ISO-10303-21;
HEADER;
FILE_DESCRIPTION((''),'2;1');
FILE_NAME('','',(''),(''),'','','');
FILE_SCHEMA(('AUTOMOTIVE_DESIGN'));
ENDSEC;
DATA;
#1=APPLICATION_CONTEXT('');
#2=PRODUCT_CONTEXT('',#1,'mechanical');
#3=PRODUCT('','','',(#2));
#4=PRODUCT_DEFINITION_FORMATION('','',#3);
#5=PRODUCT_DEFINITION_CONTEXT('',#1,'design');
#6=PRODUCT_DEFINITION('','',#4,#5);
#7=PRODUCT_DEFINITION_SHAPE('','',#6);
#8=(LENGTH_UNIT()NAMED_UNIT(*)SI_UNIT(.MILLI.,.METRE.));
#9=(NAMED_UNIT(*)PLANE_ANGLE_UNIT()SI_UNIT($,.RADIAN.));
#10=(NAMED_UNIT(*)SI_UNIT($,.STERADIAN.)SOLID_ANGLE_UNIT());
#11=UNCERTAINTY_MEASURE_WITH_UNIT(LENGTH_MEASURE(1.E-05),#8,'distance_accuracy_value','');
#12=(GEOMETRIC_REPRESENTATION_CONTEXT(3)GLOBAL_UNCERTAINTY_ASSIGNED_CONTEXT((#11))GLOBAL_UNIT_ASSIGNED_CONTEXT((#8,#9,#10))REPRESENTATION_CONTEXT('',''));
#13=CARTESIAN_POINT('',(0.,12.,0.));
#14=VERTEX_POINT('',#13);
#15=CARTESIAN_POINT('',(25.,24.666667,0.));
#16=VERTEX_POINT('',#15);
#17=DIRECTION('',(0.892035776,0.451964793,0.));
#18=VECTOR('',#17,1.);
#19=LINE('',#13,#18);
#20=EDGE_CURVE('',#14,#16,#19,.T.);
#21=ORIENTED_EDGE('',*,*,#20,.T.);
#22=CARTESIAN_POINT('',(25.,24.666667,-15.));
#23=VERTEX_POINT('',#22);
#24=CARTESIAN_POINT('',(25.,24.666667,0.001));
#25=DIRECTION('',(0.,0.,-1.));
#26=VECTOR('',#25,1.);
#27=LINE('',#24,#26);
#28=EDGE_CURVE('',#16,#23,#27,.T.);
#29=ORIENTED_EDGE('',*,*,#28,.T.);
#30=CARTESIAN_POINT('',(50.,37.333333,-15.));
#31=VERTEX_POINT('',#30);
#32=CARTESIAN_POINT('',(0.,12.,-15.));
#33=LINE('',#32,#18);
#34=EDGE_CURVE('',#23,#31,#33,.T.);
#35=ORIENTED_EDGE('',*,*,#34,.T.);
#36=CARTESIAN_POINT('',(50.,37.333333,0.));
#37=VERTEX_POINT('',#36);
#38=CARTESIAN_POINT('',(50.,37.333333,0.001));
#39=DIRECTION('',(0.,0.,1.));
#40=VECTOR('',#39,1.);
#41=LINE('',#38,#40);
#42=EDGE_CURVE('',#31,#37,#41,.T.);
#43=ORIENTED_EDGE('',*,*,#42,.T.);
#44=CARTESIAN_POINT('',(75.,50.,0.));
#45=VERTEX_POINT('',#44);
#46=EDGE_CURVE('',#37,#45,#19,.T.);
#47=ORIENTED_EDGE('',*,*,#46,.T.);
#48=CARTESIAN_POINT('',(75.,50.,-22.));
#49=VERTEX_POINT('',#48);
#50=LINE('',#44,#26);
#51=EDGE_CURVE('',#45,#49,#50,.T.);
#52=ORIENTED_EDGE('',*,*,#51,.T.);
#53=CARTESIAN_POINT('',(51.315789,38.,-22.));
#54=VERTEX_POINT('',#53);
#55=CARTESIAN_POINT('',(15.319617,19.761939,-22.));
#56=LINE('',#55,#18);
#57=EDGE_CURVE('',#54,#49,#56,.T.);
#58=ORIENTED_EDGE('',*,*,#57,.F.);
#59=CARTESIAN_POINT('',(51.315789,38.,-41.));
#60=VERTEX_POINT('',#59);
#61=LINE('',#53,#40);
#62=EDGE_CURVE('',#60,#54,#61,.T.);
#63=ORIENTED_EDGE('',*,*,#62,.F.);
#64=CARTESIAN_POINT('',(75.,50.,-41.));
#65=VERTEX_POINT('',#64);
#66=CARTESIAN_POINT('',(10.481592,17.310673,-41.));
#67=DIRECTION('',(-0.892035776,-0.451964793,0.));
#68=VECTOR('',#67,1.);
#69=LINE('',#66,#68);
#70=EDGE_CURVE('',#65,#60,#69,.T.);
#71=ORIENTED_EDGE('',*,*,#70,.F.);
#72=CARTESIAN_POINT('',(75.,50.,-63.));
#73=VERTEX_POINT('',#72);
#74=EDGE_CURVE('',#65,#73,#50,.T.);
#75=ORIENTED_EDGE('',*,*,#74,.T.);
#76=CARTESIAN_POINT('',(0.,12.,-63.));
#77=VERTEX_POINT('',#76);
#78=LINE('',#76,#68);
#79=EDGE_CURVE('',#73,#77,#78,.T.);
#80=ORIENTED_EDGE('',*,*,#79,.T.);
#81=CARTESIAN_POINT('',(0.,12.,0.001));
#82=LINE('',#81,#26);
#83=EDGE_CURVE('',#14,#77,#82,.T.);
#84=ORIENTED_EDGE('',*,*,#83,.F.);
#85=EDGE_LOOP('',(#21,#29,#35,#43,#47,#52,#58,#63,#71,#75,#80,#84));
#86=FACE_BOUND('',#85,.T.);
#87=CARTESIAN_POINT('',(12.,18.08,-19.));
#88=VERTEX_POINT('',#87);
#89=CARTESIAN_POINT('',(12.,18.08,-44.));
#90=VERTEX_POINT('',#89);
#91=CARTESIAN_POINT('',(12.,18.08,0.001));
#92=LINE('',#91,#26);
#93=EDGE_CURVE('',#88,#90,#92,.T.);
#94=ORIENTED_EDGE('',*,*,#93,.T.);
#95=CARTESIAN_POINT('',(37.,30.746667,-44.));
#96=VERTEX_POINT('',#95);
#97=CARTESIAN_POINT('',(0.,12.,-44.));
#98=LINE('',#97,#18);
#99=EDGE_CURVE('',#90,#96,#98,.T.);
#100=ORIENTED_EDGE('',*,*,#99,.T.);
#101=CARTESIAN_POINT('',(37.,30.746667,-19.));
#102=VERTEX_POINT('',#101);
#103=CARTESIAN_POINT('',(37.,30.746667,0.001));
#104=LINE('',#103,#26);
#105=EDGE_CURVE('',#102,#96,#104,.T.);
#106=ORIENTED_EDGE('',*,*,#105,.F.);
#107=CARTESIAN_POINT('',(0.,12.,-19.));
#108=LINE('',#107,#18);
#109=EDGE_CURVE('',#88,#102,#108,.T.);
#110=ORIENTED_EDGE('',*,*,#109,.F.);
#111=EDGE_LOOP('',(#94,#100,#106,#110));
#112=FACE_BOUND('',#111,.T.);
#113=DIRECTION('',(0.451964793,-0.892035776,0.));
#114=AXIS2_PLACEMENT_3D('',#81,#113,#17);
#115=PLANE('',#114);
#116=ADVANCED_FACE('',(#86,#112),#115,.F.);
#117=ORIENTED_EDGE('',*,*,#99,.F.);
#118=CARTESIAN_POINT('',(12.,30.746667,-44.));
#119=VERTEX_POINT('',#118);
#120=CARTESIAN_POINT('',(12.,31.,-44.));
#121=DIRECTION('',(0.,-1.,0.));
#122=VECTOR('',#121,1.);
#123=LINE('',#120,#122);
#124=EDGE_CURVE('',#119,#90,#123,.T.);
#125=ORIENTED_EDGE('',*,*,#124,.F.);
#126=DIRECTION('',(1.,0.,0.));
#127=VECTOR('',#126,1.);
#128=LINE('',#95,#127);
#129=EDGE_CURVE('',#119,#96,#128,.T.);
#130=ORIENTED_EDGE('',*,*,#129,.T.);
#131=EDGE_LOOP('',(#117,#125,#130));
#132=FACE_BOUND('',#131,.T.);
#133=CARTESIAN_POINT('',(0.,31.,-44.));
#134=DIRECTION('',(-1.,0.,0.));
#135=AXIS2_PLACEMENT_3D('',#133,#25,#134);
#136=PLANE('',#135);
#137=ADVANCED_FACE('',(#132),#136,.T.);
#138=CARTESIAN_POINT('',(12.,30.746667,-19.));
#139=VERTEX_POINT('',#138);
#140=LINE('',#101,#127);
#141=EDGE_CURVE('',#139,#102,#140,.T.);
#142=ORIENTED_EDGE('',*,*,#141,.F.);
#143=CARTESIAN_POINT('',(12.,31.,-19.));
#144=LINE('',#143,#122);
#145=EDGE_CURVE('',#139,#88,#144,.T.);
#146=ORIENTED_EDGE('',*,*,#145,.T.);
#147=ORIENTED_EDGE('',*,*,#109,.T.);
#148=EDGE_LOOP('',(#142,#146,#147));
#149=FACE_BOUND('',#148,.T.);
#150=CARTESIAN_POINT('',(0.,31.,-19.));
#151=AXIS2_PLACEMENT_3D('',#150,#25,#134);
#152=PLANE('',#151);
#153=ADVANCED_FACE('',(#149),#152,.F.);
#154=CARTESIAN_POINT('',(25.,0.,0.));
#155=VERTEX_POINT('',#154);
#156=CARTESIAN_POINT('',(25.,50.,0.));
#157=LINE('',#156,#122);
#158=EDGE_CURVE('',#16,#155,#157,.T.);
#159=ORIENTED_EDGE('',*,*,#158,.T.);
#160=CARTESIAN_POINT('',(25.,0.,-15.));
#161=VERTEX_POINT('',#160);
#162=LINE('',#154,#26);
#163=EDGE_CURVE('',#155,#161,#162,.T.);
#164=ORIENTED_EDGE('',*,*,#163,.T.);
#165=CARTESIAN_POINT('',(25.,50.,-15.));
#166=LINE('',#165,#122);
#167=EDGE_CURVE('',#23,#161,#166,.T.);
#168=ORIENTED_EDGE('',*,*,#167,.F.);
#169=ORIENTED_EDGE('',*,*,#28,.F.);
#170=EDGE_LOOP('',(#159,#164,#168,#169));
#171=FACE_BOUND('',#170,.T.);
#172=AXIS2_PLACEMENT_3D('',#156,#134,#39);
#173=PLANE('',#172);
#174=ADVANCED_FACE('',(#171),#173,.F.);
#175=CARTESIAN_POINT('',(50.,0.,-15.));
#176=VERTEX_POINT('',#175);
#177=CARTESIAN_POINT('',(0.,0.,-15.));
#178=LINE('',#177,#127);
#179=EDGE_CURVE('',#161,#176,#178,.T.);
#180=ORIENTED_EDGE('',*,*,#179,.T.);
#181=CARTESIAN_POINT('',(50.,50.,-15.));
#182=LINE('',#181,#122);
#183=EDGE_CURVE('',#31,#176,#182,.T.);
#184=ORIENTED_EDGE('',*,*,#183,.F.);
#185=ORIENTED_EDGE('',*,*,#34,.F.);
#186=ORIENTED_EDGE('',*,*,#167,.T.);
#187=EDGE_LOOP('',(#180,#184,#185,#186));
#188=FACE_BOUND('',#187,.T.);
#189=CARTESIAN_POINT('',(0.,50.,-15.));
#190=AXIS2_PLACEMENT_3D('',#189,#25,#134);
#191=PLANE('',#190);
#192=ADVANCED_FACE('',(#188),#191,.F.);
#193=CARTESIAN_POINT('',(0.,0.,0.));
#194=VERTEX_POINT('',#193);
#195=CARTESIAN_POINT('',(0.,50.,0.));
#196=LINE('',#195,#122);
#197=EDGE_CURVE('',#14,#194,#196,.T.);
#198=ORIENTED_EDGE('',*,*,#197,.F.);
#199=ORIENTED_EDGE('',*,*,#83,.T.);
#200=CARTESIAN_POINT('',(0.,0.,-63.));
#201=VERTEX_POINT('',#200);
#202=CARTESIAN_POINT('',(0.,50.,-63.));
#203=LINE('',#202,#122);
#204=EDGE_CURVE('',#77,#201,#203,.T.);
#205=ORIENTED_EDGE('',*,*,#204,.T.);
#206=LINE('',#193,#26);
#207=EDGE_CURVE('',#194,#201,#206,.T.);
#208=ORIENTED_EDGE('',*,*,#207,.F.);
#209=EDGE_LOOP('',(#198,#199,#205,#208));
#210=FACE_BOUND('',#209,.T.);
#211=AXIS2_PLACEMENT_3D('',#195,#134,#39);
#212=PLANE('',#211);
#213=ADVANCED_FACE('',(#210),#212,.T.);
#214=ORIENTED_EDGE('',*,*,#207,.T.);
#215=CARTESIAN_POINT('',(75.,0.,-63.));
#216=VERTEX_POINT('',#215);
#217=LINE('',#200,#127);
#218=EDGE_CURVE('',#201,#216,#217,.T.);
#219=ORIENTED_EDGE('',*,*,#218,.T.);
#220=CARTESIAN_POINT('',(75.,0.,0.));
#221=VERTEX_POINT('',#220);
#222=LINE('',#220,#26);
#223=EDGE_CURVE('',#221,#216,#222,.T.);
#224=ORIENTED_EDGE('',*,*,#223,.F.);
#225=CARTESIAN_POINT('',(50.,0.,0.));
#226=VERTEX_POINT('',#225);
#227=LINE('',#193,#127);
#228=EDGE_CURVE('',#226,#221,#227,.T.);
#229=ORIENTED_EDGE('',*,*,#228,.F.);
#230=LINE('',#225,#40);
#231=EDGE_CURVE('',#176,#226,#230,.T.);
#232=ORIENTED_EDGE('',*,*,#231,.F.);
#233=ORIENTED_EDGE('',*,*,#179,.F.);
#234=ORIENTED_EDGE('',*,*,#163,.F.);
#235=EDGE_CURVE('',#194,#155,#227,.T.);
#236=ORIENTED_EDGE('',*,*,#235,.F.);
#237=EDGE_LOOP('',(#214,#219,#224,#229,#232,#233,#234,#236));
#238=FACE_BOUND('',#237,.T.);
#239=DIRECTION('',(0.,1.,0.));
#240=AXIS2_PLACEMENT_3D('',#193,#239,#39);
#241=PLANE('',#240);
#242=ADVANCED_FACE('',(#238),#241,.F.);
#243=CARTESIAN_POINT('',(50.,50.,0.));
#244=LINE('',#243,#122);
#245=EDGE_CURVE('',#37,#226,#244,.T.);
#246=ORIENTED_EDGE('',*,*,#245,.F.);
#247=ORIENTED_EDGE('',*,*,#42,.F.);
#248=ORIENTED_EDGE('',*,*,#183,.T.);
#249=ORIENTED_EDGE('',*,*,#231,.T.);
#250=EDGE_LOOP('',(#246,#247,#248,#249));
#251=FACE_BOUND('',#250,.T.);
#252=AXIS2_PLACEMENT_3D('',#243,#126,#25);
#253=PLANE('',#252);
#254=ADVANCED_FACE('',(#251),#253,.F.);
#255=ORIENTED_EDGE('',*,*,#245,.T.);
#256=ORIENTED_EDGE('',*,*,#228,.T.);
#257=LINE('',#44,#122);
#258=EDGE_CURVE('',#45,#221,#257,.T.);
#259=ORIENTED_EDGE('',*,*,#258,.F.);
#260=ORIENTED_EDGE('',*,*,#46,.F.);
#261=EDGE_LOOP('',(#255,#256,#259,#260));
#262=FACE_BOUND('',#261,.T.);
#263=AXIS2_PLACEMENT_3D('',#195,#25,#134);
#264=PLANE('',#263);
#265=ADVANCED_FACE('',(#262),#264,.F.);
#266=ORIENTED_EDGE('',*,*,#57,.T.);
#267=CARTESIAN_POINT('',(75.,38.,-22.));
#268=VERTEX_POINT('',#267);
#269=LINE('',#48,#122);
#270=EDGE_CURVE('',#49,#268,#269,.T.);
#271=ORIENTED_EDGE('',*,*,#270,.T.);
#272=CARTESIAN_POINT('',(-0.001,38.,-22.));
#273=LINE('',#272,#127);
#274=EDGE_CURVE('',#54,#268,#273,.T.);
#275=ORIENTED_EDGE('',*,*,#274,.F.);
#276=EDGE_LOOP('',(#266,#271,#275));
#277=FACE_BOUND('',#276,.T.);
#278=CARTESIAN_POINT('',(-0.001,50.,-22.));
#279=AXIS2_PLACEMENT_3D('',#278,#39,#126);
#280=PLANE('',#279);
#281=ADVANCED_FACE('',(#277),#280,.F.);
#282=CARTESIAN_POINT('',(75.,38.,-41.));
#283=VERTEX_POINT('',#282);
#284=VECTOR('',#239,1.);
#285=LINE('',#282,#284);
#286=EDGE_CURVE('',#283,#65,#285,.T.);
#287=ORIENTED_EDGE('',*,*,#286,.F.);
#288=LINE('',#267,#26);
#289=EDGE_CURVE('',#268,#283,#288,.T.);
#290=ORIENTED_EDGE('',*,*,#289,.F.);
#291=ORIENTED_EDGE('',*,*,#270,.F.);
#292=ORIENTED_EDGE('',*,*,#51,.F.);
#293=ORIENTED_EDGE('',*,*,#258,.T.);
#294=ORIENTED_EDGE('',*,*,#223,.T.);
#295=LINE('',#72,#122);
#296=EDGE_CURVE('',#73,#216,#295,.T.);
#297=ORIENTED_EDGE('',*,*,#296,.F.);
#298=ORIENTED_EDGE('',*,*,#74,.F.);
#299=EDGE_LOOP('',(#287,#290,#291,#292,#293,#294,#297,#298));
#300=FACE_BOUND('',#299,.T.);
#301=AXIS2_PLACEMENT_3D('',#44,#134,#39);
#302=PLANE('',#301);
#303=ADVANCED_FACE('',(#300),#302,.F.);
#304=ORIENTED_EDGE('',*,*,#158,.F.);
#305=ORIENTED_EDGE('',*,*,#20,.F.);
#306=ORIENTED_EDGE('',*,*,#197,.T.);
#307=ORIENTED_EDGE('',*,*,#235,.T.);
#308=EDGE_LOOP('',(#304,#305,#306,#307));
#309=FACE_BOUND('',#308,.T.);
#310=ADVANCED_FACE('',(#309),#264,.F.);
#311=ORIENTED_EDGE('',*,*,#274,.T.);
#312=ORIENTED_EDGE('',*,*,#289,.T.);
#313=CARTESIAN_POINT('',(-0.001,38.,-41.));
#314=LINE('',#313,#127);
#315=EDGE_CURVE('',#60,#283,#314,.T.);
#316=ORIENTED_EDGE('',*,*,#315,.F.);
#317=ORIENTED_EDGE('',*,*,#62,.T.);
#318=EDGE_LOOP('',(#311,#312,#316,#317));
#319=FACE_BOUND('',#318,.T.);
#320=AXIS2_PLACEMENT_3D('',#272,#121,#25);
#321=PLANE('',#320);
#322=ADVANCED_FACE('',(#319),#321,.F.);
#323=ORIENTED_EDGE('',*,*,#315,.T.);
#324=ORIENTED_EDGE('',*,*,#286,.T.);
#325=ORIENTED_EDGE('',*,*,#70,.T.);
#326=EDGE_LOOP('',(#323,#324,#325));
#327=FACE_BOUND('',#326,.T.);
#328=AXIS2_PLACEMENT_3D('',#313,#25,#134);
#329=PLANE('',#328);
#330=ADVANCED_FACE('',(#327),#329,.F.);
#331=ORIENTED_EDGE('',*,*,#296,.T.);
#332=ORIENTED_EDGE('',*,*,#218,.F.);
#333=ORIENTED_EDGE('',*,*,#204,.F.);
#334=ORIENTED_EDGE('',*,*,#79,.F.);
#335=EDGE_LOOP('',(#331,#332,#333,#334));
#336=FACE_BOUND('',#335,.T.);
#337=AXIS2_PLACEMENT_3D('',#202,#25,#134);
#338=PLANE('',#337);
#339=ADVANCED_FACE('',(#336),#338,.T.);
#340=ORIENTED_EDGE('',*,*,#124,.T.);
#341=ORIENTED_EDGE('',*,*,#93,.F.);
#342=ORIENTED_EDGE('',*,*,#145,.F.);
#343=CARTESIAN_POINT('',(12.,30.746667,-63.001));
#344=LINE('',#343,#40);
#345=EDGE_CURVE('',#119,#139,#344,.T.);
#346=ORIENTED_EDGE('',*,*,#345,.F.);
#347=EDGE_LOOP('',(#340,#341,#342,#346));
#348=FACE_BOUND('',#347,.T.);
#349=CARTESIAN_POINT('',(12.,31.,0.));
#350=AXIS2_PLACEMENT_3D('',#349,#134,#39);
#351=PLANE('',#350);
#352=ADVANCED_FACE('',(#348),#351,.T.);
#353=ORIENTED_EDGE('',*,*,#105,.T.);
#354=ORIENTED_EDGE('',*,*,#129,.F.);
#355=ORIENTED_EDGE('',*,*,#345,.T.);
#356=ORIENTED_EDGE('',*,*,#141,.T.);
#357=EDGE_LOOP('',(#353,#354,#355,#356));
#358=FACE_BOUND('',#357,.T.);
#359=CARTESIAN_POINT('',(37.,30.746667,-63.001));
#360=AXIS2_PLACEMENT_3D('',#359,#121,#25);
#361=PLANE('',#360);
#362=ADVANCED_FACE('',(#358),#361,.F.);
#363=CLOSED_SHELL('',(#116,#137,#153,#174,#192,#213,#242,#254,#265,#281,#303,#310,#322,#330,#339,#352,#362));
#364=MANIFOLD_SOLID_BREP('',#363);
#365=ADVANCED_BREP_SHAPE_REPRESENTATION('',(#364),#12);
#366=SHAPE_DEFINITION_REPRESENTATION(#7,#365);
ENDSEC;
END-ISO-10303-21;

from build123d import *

# Parameters (mm, degrees)
SKETCH1_W           = 25
SKETCH1_H           = 25
BOSS_EXTRUDE1_DEPTH = 50
CUT_EXTRUDE2_REACH  = 111.973
CUT_EXTRUDE3_REACH  = 111.973
SKETCH3_W           = 19
SKETCH3_H           = 12
SKETCH1_3_W         = 25
SKETCH1_3_H         = 25
BOSS_EXTRUDE2_DEPTH = 31
CUT_EXTRUDE4_REACH  = 102.305
SKETCH4_W           = 25
SKETCH4_H           = 0.253333333


with BuildPart() as part:
    # Sketch1 → Boss-Extrude1 (new body)
    with BuildSketch(Plane(origin=(0, 0, 0), x_dir=(1, 0, 0), z_dir=(0, 1, 0))):
        Polygon((0, 0), (25, 0), (25, 15), (50, 15), (50, 0), (75, 0), (75, 63), (0, 63), align=None)
        with Locations((24.5, 31.5)):
            Rectangle(SKETCH1_W, SKETCH1_H, mode=Mode.SUBTRACT)
    extrude(amount=BOSS_EXTRUDE1_DEPTH)

    # Sketch2 → Cut-Extrude2 (cut, up to next)
    with BuildSketch(Plane(origin=(0, 0, -63), x_dir=(-1, 0, 0), z_dir=(0, 0, -1)), mode=Mode.PRIVATE) as cut_extrude2_sk1:
        Polygon((0, 12), (-75, 50), (0, 50), align=None)
    cut_extrude2_tool1 = extrude(cut_extrude2_sk1.sketch, amount=-CUT_EXTRUDE2_REACH, mode=Mode.PRIVATE) & part.part
    add(cut_extrude2_tool1.solids().sort_by_distance((25, 37.333333, -63))[0], mode=Mode.SUBTRACT)

    # Sketch3 → Cut-Extrude3 (cut, up to next)
    with BuildSketch(Plane(origin=(75, 0, 0), x_dir=(0, 0, -1), z_dir=(1, 0, 0)), mode=Mode.PRIVATE) as cut_extrude3_sk1:
        with Locations((31.5, 44)):
            Rectangle(SKETCH3_W, SKETCH3_H)
    cut_extrude3_tool1 = extrude(cut_extrude3_sk1.sketch, amount=-CUT_EXTRUDE3_REACH, mode=Mode.PRIVATE) & part.part
    add(cut_extrude3_tool1.solids().sort_by_distance((75, 44, -31.5))[0], mode=Mode.SUBTRACT)

    # Sketch1<3> → Boss-Extrude2 (add)
    with BuildSketch(Plane(origin=(0, 0, 0), x_dir=(1, 0, 0), z_dir=(0, 1, 0))):
        with Locations((24.5, 31.5)):
            Rectangle(SKETCH1_3_W, SKETCH1_3_H)
    extrude(amount=BOSS_EXTRUDE2_DEPTH)

    # Sketch4 → Cut-Extrude4 (cut, up to next)
    with BuildSketch(Plane.XY.offset(-19), mode=Mode.PRIVATE) as cut_extrude4_sk1:
        with Locations((24.5, 30.873333334)):
            Rectangle(SKETCH4_W, SKETCH4_H)
    cut_extrude4_tool1 = extrude(cut_extrude4_sk1.sketch, amount=-CUT_EXTRUDE4_REACH, mode=Mode.PRIVATE) & part.part
    add(cut_extrude4_tool1.solids().sort_by_distance((24.5, 30.873333, -19))[0], mode=Mode.SUBTRACT)


solid = part.part
